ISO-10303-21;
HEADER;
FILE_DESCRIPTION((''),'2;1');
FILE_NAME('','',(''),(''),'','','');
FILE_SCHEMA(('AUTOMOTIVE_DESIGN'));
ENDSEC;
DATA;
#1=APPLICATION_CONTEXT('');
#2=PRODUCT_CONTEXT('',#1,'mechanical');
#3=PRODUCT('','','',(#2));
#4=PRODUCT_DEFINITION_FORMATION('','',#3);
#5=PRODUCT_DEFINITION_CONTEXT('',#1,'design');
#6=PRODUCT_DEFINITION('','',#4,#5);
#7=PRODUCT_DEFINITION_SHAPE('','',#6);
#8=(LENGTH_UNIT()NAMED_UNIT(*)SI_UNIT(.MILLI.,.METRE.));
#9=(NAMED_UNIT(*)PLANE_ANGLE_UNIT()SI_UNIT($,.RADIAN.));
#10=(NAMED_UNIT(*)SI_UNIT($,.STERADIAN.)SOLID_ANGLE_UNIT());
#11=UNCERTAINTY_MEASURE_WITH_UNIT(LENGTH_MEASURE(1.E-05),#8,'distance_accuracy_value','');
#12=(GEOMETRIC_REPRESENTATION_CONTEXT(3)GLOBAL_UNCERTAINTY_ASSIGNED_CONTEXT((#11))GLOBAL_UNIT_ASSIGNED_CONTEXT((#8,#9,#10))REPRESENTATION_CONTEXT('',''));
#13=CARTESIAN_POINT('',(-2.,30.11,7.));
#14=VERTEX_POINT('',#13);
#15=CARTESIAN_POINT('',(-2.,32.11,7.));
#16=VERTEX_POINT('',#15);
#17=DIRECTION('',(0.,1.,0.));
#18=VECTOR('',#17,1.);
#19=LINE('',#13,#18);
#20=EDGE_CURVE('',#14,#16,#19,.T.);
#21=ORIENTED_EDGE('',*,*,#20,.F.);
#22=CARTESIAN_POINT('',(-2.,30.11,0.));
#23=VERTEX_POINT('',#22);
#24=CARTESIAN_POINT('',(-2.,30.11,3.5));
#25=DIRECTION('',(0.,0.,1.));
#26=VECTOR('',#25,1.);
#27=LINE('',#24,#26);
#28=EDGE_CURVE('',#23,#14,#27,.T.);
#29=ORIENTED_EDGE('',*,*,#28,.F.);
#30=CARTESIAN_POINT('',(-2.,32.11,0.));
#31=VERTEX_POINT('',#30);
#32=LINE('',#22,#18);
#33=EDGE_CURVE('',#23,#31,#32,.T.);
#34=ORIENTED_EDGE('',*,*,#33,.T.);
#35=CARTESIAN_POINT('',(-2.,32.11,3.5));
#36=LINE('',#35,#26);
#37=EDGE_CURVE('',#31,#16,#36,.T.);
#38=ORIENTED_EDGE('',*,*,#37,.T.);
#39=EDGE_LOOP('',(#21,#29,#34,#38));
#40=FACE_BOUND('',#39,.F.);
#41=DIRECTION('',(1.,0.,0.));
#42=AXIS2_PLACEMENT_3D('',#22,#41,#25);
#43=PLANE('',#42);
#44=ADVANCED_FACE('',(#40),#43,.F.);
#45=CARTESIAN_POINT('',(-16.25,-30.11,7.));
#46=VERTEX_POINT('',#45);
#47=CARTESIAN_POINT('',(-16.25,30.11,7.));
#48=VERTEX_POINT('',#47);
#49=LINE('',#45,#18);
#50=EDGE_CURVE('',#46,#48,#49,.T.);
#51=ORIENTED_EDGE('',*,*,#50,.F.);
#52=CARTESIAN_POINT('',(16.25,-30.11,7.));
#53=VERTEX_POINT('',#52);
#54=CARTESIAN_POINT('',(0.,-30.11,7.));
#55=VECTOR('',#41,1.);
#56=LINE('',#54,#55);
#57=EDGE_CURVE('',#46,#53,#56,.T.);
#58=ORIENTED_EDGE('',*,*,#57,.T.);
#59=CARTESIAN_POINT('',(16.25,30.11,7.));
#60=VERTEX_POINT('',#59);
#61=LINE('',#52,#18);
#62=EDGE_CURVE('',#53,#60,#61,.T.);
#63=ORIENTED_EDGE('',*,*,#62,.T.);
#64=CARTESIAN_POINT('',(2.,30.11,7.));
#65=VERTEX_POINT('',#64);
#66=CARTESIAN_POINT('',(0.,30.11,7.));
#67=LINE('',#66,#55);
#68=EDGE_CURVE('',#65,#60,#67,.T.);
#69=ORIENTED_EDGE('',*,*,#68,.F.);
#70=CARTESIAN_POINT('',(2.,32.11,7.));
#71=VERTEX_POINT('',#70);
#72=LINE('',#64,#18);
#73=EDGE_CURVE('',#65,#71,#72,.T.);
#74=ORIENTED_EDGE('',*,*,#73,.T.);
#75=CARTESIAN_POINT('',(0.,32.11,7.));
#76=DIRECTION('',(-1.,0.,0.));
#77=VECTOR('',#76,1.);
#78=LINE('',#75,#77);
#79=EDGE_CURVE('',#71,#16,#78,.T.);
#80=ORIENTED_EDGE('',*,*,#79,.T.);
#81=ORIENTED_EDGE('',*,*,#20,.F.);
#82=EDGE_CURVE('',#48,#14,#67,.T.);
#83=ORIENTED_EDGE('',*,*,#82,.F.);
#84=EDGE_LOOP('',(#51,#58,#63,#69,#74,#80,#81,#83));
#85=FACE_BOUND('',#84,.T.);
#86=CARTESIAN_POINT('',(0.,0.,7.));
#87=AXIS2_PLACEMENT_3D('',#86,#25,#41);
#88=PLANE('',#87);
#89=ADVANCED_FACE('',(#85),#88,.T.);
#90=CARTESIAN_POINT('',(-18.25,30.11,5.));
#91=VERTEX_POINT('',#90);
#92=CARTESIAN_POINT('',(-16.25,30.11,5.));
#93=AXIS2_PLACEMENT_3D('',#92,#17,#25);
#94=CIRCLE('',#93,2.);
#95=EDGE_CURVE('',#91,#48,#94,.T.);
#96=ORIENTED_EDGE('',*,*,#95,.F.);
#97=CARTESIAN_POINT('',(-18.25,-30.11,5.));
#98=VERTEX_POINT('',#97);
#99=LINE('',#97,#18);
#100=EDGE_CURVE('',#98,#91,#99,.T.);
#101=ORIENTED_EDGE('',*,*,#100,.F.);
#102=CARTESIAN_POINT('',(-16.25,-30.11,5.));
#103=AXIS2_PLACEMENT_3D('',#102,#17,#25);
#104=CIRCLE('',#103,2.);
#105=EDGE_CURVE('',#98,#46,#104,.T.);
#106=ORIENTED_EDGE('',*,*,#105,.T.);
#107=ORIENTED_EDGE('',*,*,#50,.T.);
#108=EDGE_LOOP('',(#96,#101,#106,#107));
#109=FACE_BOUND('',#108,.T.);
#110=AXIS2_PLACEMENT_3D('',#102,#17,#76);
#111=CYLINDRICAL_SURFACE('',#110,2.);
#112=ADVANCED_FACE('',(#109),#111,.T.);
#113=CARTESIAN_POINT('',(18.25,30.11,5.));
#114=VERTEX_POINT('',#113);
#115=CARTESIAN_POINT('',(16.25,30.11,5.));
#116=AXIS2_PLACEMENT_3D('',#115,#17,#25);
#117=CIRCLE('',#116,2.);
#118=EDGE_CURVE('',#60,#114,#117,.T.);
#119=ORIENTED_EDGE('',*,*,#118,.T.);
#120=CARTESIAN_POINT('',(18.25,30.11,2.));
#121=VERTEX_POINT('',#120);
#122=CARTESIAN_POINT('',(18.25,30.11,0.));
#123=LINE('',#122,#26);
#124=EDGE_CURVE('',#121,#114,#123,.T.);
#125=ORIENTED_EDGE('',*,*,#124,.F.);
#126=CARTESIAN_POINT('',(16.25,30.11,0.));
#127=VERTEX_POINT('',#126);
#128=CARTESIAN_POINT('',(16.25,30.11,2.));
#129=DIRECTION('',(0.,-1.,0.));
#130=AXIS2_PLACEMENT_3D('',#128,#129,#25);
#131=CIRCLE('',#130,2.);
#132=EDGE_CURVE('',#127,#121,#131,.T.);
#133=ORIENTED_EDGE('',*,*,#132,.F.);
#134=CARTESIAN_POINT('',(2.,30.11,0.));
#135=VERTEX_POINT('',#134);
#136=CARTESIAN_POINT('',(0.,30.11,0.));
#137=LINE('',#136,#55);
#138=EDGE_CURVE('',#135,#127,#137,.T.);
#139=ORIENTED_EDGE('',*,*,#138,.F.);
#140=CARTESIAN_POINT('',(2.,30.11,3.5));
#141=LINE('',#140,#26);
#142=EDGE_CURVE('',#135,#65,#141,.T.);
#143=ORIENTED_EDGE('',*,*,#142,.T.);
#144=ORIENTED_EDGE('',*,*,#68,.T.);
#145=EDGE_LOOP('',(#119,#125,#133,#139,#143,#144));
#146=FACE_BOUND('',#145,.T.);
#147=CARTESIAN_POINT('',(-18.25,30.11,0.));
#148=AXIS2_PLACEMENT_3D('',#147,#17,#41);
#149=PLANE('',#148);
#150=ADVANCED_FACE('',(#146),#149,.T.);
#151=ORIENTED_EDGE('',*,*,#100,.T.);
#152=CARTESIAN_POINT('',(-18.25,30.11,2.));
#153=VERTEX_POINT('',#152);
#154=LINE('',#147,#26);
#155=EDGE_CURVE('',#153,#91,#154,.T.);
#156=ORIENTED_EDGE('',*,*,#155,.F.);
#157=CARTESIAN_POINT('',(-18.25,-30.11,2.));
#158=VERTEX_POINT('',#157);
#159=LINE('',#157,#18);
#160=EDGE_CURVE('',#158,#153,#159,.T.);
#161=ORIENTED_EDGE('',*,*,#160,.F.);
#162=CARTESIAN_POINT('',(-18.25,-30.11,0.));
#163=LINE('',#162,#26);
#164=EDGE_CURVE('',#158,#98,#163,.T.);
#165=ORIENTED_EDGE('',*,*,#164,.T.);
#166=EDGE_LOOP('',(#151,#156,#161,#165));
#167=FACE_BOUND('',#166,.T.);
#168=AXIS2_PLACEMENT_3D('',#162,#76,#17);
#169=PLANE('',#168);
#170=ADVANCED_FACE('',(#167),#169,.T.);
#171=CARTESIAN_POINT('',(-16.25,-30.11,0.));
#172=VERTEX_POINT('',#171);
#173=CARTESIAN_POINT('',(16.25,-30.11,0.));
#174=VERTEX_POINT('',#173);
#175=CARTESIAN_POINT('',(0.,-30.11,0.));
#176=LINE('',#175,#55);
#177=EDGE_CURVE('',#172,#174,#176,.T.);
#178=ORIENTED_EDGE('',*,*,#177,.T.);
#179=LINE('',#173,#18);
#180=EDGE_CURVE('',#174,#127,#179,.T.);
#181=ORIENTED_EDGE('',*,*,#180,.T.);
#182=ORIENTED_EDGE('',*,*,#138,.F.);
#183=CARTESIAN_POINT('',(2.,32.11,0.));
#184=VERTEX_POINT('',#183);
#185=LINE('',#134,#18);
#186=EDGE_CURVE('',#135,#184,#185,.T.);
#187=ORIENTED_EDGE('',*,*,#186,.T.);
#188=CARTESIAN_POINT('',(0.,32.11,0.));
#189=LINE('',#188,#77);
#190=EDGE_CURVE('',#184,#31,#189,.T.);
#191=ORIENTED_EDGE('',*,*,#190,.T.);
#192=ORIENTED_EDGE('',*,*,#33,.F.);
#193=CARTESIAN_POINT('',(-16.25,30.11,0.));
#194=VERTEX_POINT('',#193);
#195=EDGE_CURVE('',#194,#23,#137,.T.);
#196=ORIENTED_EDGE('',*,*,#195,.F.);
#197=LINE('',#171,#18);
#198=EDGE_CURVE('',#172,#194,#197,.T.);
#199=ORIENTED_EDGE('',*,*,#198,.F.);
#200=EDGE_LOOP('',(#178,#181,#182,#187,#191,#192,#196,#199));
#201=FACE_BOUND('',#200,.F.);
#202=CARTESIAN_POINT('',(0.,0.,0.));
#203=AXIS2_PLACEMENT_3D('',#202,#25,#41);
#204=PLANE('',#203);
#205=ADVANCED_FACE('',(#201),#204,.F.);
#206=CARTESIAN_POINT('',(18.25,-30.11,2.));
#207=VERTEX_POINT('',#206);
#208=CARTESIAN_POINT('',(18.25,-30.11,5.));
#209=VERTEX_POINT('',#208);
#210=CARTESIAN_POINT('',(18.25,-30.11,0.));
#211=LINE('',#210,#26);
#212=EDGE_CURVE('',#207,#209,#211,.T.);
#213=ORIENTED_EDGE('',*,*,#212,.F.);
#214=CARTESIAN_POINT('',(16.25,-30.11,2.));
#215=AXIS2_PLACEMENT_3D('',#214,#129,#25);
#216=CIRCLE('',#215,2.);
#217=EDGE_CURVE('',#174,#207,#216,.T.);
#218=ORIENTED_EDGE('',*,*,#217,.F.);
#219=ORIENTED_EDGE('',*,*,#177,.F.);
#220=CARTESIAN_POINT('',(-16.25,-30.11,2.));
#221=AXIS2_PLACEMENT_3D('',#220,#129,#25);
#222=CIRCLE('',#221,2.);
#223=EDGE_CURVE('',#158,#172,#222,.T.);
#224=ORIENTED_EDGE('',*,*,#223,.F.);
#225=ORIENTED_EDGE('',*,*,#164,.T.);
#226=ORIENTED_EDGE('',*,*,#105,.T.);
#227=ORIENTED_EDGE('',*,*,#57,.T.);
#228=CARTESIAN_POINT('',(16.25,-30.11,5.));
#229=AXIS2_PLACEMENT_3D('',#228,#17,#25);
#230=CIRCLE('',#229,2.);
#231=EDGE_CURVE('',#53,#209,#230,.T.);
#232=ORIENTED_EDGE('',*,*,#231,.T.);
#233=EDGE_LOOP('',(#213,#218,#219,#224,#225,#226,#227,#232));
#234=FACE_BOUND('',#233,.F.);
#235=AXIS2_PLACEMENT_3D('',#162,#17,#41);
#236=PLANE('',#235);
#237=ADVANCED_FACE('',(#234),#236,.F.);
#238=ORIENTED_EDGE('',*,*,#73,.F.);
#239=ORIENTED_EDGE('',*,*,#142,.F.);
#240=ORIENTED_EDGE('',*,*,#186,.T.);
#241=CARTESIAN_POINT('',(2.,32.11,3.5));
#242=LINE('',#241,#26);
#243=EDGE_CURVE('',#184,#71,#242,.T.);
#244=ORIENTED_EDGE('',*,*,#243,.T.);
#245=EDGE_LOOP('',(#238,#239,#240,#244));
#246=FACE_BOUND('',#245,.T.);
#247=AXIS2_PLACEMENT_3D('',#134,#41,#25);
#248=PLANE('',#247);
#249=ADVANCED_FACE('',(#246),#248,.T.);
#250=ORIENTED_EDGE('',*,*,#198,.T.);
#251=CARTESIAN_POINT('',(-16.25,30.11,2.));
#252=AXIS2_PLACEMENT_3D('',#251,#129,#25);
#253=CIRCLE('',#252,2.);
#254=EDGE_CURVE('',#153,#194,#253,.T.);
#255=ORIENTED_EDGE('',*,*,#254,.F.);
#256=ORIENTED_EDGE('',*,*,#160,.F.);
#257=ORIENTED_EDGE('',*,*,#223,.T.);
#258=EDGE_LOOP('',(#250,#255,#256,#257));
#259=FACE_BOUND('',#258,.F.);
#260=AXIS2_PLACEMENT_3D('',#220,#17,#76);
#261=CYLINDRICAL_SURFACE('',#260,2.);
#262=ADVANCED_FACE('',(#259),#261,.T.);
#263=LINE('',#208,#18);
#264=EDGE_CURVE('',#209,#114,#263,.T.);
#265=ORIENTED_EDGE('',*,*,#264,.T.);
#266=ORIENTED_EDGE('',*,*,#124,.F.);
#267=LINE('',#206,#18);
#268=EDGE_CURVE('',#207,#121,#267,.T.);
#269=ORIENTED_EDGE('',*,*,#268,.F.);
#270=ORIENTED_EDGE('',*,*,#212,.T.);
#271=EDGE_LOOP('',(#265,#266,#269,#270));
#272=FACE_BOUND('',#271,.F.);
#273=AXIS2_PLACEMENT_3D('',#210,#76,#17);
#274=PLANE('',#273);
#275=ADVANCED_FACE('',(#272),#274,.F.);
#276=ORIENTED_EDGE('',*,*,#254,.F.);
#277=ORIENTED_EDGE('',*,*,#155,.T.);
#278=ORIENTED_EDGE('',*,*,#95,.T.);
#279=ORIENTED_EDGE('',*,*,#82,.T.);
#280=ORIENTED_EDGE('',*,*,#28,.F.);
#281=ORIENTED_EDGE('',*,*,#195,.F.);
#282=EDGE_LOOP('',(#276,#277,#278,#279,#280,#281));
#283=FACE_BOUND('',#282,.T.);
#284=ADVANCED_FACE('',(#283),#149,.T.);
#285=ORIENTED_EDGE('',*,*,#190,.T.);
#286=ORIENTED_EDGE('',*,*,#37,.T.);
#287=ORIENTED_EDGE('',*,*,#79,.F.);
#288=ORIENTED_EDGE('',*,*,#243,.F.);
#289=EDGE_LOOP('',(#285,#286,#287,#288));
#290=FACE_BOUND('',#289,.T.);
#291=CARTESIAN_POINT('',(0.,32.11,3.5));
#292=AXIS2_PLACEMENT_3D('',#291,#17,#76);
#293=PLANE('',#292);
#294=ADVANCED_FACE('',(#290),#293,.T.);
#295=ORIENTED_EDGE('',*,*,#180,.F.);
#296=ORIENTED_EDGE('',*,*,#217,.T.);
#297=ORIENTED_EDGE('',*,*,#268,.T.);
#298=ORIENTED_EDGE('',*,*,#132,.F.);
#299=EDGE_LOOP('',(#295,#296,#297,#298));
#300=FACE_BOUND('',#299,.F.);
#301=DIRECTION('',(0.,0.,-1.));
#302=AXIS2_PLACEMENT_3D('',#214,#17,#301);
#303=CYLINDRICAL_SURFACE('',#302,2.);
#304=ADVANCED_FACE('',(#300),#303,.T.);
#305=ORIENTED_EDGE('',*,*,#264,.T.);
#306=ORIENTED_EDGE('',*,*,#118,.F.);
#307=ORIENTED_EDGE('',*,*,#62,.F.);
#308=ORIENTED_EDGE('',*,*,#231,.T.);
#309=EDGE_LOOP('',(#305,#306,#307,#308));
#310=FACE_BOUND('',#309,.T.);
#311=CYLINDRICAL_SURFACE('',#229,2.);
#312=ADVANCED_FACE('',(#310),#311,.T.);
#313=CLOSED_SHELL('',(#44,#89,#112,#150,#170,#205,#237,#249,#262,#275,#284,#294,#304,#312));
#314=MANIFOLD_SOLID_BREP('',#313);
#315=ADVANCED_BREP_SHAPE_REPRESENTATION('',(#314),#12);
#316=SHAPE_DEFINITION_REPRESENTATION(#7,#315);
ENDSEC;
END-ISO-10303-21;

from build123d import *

# Parameters (mm, degrees)
F0_W     = 36.5
F0_H     = 60.22
F1_DEPTH = 7
F2_W     = 4
F2_H     = 7
F3_DEPTH = 2
F4_R     = 2


with BuildPart() as f1:
    # F0 (on Top) → F1 (new body)
    with BuildSketch(Plane.XY):
        Rectangle(F0_W, F0_H)
    extrude(amount=F1_DEPTH)

    # F2 (on face) → F3 (join)
    with BuildSketch(Plane(origin=(0, 30.11, 0), x_dir=(-1, 0, 0), z_dir=(0, 1, 0))):
        with Locations((0, 3.5)):
            Rectangle(F2_W, F2_H)
    extrude(amount=F3_DEPTH)

    # F4
    f4_edges = [f1.edges().sort_by_distance(p)[0] for p in [
        (18.25, 0, 7),
        (18.25, 0, 0),
        (-18.25, 0, 7),
        (-18.25, 0, 0),
    ]]
    fillet(f4_edges, radius=F4_R)


solid = f1.part
